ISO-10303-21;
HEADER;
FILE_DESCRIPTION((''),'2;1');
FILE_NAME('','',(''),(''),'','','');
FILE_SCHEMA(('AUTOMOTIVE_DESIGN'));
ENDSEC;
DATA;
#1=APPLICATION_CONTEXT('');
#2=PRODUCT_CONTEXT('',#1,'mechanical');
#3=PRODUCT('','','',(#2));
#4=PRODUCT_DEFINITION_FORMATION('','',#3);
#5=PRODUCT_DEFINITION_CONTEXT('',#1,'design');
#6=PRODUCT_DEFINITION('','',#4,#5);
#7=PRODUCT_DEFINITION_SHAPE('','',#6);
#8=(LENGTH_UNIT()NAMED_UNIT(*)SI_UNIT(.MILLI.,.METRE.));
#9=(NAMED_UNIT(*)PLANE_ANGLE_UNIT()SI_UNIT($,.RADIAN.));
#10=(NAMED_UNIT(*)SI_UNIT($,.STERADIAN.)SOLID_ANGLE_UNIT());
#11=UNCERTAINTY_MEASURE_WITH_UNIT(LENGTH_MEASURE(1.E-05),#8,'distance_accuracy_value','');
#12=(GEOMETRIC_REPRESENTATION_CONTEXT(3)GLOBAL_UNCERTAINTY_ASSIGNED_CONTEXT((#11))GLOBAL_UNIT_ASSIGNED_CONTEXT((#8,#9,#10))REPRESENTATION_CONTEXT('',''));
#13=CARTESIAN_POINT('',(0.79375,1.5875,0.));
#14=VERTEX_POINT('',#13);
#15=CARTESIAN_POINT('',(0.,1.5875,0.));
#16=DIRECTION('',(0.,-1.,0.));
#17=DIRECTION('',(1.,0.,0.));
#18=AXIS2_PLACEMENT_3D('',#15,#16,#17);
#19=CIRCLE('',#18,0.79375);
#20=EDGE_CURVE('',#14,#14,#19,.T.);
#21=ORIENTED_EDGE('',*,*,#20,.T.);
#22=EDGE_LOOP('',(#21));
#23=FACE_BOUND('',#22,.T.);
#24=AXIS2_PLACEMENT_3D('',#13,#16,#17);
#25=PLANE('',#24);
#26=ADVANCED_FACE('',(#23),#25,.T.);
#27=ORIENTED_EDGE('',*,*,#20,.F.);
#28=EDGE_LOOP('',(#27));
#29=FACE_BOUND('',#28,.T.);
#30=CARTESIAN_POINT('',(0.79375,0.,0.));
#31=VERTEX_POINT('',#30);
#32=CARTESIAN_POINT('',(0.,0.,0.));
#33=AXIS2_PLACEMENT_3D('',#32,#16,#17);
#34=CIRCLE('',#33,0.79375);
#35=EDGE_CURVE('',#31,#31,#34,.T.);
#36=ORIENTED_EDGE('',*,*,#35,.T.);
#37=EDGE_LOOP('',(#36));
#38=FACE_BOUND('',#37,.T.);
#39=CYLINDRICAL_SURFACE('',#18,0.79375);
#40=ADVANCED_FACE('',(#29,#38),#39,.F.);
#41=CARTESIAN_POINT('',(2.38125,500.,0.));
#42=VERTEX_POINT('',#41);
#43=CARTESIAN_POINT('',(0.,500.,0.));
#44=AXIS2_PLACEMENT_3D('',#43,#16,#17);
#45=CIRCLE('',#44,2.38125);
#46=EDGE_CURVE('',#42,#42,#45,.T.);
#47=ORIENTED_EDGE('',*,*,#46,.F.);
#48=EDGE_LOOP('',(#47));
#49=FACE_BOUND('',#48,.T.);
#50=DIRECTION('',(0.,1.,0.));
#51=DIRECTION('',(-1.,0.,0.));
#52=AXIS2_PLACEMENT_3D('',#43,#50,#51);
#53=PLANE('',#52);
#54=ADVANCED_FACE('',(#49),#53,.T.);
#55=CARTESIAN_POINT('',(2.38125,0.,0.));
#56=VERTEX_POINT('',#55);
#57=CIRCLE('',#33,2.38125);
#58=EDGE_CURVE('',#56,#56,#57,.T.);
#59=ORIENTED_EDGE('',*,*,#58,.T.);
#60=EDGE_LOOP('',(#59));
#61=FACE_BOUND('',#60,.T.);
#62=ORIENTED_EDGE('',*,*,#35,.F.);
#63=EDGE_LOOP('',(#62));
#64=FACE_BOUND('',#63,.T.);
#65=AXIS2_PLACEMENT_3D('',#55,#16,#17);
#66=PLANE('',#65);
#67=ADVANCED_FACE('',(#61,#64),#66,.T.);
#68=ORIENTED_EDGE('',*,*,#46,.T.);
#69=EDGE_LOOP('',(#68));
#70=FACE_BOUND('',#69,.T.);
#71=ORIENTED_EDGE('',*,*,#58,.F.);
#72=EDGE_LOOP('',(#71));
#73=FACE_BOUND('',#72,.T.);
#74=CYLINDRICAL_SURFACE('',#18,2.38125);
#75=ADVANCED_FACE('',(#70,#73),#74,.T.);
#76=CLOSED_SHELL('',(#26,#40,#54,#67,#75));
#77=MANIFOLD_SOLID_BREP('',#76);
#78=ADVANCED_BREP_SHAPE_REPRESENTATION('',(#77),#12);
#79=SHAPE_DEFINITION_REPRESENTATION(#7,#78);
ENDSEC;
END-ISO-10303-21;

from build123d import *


with BuildPart() as part:
    # Sketch2 → Revolve1 (revolve)
    with BuildSketch(Plane.XY):
        Polygon((2.38125, 0), (2.38125, 500), (0, 500), (0, 1.5875), (0.79375, 1.5875), (0.79375, 0), align=None)
    revolve(axis=Axis((0, 1.5875, 0), (0, 1, 0)))


solid = part.part
